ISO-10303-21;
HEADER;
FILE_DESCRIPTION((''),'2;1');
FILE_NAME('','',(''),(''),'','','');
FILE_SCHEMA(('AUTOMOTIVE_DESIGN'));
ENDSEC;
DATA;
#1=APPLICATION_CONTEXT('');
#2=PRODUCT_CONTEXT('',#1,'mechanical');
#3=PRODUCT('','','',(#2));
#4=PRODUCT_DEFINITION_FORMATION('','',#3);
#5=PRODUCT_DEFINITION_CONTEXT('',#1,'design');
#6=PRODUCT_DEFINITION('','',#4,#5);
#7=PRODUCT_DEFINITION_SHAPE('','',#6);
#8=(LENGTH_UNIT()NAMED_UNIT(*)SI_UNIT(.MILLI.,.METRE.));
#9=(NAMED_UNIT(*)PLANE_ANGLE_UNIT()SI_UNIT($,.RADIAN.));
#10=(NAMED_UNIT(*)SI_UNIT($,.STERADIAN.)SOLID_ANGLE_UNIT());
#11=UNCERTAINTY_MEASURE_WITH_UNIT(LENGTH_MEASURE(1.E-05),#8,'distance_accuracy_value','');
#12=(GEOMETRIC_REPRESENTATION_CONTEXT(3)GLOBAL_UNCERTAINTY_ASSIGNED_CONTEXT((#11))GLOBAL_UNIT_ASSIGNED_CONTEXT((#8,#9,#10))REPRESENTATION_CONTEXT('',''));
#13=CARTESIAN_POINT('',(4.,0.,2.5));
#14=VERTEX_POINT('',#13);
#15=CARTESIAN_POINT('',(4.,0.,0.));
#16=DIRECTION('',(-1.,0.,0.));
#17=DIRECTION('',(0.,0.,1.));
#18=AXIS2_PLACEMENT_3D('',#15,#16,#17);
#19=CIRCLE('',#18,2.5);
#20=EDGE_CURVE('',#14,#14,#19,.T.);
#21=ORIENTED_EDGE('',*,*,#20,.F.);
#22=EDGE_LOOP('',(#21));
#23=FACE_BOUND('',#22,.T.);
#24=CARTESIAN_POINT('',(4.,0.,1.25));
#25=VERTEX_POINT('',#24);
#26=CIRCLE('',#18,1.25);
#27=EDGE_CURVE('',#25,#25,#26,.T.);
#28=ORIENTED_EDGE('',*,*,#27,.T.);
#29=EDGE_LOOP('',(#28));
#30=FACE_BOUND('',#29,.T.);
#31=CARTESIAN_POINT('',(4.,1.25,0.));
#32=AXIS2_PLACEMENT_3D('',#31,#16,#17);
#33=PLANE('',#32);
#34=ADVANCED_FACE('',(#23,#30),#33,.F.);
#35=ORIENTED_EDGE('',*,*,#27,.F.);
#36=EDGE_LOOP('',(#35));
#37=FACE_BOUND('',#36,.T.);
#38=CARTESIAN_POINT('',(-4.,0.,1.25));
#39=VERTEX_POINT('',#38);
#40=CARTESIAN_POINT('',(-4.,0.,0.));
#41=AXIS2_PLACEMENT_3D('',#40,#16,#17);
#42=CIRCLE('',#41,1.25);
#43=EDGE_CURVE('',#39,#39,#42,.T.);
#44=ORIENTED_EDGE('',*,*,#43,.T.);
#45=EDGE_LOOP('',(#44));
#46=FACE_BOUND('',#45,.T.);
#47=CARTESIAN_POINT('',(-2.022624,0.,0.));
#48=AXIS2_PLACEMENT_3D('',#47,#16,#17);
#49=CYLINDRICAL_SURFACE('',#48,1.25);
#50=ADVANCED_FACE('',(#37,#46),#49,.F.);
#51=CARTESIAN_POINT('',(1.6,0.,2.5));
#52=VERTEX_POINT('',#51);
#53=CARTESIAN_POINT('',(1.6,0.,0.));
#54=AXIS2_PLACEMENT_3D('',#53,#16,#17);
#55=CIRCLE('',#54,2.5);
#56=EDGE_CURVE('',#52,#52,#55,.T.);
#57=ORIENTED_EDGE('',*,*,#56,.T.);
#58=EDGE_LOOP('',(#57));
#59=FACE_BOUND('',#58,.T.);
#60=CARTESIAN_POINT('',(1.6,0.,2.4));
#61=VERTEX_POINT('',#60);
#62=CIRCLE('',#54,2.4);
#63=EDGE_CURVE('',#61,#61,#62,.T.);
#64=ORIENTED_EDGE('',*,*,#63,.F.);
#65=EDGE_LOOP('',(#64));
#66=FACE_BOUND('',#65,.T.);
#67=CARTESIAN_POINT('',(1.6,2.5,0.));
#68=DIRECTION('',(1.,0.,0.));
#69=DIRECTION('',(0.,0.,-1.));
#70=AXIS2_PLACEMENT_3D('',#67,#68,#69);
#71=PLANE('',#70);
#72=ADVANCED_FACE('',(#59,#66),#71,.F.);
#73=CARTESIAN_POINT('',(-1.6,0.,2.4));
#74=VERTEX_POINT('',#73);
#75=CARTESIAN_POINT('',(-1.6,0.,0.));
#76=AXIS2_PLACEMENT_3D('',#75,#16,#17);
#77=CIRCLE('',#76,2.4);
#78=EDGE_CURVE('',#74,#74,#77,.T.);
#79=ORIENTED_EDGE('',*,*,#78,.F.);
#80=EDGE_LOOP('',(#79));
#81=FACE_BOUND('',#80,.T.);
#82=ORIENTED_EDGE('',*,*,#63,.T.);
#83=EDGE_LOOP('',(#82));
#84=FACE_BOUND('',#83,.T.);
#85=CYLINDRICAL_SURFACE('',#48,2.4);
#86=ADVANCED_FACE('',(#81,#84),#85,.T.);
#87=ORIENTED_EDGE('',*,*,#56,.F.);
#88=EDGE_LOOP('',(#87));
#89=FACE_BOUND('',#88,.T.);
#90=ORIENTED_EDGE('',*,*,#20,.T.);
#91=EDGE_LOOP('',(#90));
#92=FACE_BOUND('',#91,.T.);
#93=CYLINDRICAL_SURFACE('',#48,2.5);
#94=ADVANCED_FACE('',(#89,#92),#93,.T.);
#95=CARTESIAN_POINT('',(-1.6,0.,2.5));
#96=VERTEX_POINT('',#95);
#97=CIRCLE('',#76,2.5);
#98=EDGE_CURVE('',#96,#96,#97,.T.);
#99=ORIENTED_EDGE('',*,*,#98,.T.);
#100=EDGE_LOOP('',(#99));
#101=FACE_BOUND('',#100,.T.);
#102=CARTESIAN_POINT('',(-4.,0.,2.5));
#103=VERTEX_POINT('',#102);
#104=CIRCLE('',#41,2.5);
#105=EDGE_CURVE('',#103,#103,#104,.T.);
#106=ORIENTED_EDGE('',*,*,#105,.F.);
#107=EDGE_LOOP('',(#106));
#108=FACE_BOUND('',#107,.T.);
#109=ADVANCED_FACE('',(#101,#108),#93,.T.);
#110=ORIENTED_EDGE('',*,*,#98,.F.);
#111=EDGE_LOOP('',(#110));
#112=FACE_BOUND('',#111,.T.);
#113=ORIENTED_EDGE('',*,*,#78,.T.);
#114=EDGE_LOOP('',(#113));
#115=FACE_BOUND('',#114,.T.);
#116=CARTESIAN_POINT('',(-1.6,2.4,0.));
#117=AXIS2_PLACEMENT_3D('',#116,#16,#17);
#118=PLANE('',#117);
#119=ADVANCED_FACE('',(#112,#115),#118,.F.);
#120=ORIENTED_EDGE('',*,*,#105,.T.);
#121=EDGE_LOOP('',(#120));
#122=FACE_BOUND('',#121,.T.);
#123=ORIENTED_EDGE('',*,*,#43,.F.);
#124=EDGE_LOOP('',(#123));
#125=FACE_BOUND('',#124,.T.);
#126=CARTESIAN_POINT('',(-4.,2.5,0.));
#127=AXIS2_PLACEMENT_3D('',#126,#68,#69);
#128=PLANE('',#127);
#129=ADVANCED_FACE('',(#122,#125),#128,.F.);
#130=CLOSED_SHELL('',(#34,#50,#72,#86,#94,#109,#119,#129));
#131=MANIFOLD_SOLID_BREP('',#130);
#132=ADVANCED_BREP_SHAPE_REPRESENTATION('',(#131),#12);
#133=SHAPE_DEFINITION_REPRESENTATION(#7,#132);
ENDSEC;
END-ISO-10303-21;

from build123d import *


with BuildPart() as part:
    # 草图1 → 旋转1 (revolve)
    with BuildSketch(Plane.XY):
        Polygon((-4, 1.25), (4, 1.25), (4, 2.5), (1.6, 2.5), (1.6, 2.4), (-1.6, 2.4), (-1.6, 2.5), (-4, 2.5), align=None)
    revolve(axis=Axis((-2.022624434, 0, 0), (1, 0, 0)))


solid = part.part
